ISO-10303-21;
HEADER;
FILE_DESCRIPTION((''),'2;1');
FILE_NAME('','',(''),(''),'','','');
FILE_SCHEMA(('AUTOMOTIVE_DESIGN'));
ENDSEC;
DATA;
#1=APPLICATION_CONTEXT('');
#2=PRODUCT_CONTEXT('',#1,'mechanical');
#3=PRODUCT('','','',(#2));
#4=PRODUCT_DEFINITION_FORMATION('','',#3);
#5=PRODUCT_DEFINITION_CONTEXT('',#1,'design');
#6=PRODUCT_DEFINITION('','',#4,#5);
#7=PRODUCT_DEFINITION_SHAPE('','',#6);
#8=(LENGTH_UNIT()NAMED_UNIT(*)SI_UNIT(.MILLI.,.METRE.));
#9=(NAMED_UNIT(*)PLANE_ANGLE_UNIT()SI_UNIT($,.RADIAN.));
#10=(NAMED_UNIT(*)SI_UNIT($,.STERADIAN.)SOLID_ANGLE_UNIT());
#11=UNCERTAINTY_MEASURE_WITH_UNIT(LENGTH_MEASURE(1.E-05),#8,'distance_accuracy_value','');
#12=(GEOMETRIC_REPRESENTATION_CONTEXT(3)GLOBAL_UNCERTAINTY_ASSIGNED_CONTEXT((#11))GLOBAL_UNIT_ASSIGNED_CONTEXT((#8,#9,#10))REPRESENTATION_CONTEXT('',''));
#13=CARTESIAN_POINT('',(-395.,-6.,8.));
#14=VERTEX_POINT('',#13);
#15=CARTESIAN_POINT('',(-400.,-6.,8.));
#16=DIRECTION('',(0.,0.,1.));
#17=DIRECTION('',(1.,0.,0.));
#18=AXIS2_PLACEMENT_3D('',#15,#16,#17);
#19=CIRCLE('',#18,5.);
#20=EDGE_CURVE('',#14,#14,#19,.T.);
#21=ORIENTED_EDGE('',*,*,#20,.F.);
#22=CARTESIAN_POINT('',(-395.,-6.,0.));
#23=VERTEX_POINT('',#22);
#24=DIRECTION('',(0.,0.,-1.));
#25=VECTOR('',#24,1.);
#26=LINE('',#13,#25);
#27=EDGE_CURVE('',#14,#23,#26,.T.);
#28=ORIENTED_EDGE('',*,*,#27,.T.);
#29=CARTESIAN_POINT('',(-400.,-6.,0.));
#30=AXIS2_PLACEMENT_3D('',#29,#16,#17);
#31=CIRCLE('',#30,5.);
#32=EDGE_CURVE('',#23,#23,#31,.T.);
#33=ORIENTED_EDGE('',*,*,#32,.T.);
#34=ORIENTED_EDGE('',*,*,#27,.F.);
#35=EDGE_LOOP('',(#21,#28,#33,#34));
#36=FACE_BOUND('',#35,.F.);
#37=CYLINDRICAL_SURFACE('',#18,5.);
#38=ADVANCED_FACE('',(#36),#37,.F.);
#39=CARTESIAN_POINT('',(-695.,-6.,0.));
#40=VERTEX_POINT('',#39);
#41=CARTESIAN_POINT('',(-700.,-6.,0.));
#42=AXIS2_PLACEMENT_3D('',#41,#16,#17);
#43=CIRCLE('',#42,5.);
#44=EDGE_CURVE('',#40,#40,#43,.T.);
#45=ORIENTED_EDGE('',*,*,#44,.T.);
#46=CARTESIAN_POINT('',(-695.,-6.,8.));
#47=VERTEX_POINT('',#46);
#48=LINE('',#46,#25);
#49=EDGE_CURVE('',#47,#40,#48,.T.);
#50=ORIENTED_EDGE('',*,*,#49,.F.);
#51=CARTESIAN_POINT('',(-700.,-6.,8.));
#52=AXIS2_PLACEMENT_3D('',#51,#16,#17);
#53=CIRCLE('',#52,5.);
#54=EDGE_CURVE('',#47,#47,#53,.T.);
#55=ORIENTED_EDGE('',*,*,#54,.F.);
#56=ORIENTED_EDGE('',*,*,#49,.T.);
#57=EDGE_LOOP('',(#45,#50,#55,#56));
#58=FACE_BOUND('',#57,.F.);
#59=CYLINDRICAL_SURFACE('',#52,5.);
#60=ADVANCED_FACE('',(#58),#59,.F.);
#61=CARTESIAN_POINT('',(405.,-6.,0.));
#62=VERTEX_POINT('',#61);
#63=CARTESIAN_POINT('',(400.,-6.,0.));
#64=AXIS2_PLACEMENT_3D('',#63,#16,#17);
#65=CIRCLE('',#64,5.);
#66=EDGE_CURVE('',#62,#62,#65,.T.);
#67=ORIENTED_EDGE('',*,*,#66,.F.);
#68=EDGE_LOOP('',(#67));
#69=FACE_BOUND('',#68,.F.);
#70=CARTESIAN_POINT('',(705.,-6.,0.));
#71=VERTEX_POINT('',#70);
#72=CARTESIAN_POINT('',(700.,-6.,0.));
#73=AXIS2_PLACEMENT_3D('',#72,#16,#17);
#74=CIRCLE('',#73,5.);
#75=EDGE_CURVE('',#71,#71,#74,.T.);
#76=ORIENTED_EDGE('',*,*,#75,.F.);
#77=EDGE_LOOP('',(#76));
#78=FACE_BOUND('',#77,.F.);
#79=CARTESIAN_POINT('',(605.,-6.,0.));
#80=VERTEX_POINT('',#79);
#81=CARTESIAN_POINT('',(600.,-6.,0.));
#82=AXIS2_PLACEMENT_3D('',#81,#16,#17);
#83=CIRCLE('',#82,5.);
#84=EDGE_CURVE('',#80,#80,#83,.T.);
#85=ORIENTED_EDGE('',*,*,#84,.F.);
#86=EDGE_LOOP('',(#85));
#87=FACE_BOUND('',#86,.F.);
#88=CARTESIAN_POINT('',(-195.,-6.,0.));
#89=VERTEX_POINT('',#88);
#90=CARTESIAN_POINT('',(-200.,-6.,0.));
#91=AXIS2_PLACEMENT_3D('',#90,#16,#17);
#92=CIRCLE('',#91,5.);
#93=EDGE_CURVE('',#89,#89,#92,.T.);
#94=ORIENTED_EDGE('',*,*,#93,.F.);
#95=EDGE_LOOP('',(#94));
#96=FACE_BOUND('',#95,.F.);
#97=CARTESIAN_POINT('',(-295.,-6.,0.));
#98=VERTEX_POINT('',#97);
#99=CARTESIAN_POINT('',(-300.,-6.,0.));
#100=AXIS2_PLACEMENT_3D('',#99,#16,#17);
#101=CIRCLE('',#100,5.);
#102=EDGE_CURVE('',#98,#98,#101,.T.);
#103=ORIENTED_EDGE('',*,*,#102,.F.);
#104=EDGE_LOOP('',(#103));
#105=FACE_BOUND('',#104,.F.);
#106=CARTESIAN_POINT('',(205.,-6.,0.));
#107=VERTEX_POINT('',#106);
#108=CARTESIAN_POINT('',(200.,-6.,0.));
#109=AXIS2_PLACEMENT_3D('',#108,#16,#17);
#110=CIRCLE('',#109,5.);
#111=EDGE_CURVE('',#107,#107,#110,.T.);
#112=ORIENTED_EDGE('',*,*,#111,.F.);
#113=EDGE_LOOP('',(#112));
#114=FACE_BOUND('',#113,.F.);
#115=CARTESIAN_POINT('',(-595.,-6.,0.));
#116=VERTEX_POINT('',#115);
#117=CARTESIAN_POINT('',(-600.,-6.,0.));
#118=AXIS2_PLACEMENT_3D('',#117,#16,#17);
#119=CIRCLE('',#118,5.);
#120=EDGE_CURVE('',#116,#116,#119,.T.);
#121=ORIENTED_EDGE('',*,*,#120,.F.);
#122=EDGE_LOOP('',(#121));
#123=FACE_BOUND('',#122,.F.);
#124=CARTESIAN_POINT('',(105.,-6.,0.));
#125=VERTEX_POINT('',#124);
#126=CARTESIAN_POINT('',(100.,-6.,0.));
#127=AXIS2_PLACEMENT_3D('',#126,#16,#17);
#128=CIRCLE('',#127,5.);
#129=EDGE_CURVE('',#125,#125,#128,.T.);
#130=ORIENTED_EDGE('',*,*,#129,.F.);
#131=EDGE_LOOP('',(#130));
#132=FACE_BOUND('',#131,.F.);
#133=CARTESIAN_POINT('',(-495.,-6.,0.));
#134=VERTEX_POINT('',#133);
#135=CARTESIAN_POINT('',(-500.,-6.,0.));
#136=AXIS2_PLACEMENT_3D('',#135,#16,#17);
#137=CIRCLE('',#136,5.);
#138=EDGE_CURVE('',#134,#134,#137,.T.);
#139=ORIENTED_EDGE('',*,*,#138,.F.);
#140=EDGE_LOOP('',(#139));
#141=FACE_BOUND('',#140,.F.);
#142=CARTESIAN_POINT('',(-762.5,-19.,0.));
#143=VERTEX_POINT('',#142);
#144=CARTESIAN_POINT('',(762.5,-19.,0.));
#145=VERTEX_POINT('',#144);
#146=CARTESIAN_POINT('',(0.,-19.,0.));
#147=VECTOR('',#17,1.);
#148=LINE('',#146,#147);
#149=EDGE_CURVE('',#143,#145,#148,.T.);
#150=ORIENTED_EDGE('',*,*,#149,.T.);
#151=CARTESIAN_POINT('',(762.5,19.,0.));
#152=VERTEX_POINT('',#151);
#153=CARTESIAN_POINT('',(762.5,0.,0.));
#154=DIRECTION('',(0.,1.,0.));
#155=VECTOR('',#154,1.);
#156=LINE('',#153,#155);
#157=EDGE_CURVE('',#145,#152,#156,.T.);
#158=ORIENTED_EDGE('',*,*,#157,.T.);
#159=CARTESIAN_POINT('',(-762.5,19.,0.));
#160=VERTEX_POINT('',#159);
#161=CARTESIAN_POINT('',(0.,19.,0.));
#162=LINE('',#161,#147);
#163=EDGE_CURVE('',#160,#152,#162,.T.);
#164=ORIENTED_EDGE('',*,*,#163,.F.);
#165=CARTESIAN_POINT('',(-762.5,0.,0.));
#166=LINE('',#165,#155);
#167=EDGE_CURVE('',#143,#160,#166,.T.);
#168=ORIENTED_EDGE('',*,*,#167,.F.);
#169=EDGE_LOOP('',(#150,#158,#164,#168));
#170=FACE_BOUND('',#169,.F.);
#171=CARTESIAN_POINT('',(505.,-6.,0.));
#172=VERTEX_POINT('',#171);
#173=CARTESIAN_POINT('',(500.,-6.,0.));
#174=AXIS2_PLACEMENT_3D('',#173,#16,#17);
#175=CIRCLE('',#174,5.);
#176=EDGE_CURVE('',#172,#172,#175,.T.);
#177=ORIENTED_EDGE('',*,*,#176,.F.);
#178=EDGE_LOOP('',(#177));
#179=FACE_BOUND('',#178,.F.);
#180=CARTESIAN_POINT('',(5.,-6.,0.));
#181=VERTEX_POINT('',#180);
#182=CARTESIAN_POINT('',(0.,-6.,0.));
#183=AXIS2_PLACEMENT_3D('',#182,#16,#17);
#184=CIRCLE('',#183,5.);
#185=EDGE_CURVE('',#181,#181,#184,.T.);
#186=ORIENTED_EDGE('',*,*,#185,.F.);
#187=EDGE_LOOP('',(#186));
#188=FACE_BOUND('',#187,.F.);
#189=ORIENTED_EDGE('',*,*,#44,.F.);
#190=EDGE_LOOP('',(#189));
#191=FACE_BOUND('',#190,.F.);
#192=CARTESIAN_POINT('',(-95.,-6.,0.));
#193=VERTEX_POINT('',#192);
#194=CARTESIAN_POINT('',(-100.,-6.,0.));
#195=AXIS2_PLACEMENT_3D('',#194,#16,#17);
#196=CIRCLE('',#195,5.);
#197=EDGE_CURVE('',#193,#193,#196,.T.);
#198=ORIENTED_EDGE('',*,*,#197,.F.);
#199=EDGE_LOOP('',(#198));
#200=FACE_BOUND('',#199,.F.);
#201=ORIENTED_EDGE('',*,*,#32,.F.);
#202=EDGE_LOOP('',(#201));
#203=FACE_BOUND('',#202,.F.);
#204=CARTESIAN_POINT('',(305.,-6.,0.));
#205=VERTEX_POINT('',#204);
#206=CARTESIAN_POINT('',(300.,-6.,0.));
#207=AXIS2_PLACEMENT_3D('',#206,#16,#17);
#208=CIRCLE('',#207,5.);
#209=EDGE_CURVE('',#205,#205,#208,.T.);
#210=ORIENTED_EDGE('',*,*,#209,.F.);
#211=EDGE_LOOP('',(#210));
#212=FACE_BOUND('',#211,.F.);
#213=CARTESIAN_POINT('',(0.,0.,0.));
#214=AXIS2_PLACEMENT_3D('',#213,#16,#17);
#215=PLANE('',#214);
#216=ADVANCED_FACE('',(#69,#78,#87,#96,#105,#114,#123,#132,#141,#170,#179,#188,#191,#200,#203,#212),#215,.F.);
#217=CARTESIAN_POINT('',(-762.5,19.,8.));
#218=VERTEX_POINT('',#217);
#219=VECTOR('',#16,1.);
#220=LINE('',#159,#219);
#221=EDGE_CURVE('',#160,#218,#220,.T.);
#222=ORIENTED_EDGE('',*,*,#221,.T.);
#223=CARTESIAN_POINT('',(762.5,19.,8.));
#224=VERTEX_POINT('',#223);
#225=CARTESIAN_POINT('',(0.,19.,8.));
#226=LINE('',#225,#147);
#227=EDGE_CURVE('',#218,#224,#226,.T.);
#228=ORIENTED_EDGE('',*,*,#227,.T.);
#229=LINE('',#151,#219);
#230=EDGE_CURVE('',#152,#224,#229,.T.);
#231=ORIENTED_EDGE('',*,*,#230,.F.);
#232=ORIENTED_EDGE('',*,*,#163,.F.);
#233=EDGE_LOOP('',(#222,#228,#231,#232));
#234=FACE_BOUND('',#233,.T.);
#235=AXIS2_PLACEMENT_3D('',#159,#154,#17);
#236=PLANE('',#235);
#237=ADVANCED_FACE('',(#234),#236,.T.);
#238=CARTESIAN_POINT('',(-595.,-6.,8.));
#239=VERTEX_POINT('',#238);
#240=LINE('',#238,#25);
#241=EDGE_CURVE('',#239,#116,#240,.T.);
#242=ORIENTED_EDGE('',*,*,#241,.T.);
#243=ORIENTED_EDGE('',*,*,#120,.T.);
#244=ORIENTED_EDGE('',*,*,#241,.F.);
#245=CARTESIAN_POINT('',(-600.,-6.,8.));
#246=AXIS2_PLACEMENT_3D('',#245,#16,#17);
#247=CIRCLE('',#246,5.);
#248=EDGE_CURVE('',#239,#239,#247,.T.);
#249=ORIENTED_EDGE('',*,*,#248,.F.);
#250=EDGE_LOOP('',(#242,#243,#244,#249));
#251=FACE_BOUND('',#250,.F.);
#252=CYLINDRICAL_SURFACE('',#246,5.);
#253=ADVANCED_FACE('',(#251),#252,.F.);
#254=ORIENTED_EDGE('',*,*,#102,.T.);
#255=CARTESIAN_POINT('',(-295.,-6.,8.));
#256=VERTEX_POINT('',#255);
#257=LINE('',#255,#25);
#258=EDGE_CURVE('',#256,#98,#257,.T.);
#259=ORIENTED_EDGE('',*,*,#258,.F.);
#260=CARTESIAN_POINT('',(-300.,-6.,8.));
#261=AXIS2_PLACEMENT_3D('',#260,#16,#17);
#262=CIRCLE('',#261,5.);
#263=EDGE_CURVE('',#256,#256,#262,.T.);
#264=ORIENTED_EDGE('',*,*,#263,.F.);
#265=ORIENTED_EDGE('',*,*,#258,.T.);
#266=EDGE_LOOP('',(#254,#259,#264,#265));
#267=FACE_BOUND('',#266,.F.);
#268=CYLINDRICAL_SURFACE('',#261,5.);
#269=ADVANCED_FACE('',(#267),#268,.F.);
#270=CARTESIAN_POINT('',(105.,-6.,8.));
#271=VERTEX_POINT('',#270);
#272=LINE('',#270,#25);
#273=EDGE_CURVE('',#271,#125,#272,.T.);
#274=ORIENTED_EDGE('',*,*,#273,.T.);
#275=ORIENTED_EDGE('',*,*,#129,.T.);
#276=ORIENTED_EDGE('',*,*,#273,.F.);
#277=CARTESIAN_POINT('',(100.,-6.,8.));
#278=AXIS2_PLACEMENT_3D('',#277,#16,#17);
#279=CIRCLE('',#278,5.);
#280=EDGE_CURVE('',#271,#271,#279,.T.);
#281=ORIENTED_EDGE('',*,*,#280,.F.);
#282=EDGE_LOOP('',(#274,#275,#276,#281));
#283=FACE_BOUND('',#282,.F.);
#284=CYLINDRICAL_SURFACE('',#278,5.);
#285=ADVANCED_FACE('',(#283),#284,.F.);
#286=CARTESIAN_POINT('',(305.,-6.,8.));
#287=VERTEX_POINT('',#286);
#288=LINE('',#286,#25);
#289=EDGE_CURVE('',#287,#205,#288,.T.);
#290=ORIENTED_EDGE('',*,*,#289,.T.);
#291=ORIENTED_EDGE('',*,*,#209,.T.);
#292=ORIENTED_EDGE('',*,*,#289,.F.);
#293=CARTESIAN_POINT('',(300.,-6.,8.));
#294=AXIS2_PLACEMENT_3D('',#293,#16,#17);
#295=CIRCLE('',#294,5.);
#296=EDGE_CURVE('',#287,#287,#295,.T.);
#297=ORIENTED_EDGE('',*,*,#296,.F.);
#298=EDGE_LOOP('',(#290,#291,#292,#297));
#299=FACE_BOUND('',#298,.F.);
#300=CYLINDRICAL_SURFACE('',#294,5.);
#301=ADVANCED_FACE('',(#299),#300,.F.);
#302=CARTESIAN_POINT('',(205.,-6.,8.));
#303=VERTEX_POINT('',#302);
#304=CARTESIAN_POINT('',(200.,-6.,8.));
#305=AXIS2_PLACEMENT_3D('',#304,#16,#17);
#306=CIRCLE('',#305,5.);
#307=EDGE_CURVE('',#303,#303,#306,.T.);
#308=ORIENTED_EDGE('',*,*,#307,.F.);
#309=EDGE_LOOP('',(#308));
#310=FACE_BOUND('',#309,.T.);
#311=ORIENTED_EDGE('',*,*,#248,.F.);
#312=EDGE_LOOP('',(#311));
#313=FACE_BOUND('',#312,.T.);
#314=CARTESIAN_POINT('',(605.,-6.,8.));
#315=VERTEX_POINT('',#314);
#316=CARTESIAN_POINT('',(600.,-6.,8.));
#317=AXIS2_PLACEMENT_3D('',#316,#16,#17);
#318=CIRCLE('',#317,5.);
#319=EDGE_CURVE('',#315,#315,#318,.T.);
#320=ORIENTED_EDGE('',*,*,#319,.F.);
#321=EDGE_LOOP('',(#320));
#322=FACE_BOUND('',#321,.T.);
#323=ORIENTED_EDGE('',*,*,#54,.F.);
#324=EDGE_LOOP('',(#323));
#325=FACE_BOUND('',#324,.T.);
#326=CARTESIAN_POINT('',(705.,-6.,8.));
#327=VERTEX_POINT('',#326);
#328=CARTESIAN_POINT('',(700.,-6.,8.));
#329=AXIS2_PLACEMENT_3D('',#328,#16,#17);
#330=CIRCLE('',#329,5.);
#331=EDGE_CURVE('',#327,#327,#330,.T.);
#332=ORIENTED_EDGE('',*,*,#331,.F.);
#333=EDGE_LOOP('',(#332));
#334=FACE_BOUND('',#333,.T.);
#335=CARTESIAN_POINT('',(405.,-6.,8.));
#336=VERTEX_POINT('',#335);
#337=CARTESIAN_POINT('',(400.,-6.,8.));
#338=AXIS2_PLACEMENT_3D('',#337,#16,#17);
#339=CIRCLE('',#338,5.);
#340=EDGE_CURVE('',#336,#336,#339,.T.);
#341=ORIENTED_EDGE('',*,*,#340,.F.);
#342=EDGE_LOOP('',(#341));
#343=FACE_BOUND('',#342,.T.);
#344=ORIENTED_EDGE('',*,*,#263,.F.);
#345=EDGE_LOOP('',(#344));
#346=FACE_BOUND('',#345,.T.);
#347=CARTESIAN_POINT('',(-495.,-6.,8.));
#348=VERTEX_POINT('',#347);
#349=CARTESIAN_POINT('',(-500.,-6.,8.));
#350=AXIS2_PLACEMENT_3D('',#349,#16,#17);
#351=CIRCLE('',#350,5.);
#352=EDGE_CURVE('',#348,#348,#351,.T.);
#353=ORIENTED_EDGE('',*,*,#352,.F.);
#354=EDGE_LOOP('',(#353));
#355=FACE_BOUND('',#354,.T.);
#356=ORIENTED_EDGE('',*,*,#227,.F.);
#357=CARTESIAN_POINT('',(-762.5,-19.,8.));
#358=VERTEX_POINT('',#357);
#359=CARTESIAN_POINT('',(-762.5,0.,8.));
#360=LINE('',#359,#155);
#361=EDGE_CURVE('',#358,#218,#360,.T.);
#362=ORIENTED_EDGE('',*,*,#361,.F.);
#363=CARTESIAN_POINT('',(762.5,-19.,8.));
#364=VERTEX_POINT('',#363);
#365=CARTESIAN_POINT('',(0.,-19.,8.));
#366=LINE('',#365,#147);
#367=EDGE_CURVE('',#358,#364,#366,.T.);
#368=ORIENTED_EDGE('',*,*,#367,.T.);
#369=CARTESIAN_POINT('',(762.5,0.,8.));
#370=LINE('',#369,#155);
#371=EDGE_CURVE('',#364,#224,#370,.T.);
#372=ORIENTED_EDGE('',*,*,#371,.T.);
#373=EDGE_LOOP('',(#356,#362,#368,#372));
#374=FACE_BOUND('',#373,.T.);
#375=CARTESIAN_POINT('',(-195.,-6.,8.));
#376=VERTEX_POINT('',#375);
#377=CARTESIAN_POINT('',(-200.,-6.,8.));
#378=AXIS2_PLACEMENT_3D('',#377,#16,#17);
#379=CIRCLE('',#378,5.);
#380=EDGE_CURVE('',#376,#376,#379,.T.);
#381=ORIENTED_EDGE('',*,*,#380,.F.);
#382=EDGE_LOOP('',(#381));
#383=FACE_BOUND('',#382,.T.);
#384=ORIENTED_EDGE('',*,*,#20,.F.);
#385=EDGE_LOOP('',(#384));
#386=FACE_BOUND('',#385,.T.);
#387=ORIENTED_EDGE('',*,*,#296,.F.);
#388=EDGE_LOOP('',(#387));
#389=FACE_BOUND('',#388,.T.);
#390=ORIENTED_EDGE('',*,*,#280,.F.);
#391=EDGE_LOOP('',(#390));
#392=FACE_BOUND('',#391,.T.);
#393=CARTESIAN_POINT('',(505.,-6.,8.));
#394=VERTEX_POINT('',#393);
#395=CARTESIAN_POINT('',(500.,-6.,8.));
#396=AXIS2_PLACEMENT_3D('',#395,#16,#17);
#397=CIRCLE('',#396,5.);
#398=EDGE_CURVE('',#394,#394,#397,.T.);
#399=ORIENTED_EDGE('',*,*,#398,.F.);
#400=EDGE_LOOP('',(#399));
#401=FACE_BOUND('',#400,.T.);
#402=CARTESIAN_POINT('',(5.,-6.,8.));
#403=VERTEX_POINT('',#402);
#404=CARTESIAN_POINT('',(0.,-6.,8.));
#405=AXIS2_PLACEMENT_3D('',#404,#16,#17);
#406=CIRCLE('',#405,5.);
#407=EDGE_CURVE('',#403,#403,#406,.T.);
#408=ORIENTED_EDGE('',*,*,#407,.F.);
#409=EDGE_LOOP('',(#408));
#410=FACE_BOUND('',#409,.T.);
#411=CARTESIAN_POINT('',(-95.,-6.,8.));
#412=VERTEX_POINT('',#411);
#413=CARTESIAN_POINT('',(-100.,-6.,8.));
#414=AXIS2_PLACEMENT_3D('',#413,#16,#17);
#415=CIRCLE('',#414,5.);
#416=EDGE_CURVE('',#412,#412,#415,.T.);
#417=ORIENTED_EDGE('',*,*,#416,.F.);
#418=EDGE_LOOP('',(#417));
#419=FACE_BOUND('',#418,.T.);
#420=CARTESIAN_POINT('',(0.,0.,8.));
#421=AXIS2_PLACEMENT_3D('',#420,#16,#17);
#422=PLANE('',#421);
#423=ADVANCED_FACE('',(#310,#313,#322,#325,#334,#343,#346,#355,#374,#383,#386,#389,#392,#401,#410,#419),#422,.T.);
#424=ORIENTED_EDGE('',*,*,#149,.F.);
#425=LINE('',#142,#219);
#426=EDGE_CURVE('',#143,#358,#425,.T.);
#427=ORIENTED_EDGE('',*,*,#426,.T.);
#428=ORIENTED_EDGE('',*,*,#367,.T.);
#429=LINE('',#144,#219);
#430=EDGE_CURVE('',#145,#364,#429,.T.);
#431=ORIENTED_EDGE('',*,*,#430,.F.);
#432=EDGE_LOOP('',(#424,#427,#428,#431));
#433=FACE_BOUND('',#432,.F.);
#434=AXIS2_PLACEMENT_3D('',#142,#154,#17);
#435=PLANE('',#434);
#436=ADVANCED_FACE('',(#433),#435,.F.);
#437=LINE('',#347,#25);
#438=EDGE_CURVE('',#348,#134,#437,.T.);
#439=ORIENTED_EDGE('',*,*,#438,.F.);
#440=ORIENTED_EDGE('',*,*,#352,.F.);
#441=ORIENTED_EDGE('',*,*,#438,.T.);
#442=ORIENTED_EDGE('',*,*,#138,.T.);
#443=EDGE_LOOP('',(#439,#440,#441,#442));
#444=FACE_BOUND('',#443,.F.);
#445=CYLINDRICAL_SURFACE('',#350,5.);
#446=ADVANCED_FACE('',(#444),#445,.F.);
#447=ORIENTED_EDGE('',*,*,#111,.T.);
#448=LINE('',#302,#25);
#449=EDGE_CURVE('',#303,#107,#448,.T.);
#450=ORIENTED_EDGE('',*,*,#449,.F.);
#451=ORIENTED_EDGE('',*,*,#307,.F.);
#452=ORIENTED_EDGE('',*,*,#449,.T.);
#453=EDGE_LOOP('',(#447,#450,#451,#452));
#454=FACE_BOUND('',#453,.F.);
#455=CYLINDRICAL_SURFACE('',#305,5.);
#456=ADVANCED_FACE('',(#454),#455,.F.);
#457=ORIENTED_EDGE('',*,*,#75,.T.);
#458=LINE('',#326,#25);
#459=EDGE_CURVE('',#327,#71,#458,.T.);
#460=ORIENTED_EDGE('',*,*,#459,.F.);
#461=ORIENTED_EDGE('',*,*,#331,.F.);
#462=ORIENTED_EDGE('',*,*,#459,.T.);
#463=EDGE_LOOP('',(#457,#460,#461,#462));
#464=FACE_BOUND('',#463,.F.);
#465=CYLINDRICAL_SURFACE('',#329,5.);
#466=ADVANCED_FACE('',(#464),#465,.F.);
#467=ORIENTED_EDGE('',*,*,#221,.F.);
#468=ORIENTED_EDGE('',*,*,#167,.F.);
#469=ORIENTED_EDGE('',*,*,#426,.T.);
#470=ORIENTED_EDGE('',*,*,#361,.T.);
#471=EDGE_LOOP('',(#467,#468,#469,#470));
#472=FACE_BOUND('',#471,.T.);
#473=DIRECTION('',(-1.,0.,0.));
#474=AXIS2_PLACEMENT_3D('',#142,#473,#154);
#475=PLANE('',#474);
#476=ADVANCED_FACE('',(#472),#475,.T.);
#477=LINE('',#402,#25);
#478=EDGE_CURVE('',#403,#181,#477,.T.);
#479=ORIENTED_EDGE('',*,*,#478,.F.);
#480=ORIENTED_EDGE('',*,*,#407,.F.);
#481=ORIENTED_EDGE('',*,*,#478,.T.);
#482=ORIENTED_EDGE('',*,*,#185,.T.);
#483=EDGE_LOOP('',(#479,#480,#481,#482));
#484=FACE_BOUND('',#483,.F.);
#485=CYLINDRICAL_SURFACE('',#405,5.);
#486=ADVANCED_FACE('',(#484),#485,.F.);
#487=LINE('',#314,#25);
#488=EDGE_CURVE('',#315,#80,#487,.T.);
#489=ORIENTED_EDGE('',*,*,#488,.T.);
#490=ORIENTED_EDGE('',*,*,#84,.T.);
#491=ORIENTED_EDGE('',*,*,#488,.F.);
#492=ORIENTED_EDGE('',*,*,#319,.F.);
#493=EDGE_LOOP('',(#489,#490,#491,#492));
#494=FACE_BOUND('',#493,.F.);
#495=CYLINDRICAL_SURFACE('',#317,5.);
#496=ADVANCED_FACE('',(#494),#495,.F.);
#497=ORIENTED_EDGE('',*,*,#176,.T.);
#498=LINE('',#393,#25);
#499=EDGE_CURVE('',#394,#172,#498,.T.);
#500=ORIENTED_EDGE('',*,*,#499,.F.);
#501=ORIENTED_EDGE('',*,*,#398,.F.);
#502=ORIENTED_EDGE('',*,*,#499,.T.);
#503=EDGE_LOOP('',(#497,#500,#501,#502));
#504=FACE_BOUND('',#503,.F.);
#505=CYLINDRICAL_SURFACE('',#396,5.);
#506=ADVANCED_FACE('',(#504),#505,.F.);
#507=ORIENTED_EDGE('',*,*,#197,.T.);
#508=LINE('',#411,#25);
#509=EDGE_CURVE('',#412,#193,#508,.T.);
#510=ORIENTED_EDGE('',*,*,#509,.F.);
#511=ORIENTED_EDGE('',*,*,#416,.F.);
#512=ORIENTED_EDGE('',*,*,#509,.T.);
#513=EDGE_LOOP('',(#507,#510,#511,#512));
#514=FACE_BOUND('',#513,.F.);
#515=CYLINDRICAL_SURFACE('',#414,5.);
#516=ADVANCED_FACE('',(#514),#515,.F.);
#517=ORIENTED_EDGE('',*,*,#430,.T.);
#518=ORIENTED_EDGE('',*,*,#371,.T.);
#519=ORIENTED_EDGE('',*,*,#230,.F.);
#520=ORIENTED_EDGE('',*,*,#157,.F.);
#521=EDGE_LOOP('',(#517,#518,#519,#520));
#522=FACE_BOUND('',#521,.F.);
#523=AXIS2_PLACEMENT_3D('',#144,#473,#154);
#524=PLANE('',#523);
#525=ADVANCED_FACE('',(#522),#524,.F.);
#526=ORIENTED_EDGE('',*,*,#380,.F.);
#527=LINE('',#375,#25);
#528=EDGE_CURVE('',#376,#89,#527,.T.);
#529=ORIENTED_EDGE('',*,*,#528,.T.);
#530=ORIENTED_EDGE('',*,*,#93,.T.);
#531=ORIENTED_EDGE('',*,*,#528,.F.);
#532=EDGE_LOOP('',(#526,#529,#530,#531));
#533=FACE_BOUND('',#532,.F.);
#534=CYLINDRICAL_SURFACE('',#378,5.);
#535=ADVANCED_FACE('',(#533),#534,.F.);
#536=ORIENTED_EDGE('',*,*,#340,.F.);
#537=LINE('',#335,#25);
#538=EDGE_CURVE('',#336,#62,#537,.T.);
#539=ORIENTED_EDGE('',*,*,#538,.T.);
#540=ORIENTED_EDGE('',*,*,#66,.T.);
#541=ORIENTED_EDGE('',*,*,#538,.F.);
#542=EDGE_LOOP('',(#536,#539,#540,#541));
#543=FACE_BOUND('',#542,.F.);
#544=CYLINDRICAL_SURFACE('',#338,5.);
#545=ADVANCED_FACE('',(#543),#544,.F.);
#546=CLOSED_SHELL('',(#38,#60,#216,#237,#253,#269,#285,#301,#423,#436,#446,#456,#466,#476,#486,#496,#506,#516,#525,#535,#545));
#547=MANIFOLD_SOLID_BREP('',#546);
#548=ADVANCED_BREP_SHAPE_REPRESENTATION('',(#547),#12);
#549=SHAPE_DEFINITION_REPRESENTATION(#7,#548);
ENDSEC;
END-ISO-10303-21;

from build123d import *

# Parameters (mm, degrees)
F0_W     = 1525
F0_H     = 38
F1_DEPTH = 8
F2_R     = 5
F3_DEPTH = 8.001


with BuildPart() as f1:
    # F0 (on Top) → F1 (new body)
    with BuildSketch(Plane.XY):
        Rectangle(F0_W, F0_H)
    extrude(amount=F1_DEPTH)

    # F2 (on face) → F3 (cut, through all)
    with BuildSketch(Plane.XY.offset(8)):
        with Locations((-700, -6)):
            Circle(F2_R)
        with Locations((-600, -6)):
            Circle(F2_R)
        with Locations((-500, -6)):
            Circle(F2_R)
        with Locations((-400, -6)):
            Circle(F2_R)
        with Locations((-300, -6)):
            Circle(F2_R)
        with Locations((-200, -6)):
            Circle(F2_R)
        with Locations((-100, -6)):
            Circle(F2_R)
        with Locations((0, -6)):
            Circle(F2_R)
        with Locations((100, -6)):
            Circle(F2_R)
        with Locations((200, -6)):
            Circle(F2_R)
        with Locations((300, -6)):
            Circle(F2_R)
        with Locations((400, -6)):
            Circle(F2_R)
        with Locations((500, -6)):
            Circle(F2_R)
        with Locations((600, -6)):
            Circle(F2_R)
        with Locations((700, -6)):
            Circle(F2_R)
    extrude(amount=-F3_DEPTH, mode=Mode.SUBTRACT)


solid = f1.part
